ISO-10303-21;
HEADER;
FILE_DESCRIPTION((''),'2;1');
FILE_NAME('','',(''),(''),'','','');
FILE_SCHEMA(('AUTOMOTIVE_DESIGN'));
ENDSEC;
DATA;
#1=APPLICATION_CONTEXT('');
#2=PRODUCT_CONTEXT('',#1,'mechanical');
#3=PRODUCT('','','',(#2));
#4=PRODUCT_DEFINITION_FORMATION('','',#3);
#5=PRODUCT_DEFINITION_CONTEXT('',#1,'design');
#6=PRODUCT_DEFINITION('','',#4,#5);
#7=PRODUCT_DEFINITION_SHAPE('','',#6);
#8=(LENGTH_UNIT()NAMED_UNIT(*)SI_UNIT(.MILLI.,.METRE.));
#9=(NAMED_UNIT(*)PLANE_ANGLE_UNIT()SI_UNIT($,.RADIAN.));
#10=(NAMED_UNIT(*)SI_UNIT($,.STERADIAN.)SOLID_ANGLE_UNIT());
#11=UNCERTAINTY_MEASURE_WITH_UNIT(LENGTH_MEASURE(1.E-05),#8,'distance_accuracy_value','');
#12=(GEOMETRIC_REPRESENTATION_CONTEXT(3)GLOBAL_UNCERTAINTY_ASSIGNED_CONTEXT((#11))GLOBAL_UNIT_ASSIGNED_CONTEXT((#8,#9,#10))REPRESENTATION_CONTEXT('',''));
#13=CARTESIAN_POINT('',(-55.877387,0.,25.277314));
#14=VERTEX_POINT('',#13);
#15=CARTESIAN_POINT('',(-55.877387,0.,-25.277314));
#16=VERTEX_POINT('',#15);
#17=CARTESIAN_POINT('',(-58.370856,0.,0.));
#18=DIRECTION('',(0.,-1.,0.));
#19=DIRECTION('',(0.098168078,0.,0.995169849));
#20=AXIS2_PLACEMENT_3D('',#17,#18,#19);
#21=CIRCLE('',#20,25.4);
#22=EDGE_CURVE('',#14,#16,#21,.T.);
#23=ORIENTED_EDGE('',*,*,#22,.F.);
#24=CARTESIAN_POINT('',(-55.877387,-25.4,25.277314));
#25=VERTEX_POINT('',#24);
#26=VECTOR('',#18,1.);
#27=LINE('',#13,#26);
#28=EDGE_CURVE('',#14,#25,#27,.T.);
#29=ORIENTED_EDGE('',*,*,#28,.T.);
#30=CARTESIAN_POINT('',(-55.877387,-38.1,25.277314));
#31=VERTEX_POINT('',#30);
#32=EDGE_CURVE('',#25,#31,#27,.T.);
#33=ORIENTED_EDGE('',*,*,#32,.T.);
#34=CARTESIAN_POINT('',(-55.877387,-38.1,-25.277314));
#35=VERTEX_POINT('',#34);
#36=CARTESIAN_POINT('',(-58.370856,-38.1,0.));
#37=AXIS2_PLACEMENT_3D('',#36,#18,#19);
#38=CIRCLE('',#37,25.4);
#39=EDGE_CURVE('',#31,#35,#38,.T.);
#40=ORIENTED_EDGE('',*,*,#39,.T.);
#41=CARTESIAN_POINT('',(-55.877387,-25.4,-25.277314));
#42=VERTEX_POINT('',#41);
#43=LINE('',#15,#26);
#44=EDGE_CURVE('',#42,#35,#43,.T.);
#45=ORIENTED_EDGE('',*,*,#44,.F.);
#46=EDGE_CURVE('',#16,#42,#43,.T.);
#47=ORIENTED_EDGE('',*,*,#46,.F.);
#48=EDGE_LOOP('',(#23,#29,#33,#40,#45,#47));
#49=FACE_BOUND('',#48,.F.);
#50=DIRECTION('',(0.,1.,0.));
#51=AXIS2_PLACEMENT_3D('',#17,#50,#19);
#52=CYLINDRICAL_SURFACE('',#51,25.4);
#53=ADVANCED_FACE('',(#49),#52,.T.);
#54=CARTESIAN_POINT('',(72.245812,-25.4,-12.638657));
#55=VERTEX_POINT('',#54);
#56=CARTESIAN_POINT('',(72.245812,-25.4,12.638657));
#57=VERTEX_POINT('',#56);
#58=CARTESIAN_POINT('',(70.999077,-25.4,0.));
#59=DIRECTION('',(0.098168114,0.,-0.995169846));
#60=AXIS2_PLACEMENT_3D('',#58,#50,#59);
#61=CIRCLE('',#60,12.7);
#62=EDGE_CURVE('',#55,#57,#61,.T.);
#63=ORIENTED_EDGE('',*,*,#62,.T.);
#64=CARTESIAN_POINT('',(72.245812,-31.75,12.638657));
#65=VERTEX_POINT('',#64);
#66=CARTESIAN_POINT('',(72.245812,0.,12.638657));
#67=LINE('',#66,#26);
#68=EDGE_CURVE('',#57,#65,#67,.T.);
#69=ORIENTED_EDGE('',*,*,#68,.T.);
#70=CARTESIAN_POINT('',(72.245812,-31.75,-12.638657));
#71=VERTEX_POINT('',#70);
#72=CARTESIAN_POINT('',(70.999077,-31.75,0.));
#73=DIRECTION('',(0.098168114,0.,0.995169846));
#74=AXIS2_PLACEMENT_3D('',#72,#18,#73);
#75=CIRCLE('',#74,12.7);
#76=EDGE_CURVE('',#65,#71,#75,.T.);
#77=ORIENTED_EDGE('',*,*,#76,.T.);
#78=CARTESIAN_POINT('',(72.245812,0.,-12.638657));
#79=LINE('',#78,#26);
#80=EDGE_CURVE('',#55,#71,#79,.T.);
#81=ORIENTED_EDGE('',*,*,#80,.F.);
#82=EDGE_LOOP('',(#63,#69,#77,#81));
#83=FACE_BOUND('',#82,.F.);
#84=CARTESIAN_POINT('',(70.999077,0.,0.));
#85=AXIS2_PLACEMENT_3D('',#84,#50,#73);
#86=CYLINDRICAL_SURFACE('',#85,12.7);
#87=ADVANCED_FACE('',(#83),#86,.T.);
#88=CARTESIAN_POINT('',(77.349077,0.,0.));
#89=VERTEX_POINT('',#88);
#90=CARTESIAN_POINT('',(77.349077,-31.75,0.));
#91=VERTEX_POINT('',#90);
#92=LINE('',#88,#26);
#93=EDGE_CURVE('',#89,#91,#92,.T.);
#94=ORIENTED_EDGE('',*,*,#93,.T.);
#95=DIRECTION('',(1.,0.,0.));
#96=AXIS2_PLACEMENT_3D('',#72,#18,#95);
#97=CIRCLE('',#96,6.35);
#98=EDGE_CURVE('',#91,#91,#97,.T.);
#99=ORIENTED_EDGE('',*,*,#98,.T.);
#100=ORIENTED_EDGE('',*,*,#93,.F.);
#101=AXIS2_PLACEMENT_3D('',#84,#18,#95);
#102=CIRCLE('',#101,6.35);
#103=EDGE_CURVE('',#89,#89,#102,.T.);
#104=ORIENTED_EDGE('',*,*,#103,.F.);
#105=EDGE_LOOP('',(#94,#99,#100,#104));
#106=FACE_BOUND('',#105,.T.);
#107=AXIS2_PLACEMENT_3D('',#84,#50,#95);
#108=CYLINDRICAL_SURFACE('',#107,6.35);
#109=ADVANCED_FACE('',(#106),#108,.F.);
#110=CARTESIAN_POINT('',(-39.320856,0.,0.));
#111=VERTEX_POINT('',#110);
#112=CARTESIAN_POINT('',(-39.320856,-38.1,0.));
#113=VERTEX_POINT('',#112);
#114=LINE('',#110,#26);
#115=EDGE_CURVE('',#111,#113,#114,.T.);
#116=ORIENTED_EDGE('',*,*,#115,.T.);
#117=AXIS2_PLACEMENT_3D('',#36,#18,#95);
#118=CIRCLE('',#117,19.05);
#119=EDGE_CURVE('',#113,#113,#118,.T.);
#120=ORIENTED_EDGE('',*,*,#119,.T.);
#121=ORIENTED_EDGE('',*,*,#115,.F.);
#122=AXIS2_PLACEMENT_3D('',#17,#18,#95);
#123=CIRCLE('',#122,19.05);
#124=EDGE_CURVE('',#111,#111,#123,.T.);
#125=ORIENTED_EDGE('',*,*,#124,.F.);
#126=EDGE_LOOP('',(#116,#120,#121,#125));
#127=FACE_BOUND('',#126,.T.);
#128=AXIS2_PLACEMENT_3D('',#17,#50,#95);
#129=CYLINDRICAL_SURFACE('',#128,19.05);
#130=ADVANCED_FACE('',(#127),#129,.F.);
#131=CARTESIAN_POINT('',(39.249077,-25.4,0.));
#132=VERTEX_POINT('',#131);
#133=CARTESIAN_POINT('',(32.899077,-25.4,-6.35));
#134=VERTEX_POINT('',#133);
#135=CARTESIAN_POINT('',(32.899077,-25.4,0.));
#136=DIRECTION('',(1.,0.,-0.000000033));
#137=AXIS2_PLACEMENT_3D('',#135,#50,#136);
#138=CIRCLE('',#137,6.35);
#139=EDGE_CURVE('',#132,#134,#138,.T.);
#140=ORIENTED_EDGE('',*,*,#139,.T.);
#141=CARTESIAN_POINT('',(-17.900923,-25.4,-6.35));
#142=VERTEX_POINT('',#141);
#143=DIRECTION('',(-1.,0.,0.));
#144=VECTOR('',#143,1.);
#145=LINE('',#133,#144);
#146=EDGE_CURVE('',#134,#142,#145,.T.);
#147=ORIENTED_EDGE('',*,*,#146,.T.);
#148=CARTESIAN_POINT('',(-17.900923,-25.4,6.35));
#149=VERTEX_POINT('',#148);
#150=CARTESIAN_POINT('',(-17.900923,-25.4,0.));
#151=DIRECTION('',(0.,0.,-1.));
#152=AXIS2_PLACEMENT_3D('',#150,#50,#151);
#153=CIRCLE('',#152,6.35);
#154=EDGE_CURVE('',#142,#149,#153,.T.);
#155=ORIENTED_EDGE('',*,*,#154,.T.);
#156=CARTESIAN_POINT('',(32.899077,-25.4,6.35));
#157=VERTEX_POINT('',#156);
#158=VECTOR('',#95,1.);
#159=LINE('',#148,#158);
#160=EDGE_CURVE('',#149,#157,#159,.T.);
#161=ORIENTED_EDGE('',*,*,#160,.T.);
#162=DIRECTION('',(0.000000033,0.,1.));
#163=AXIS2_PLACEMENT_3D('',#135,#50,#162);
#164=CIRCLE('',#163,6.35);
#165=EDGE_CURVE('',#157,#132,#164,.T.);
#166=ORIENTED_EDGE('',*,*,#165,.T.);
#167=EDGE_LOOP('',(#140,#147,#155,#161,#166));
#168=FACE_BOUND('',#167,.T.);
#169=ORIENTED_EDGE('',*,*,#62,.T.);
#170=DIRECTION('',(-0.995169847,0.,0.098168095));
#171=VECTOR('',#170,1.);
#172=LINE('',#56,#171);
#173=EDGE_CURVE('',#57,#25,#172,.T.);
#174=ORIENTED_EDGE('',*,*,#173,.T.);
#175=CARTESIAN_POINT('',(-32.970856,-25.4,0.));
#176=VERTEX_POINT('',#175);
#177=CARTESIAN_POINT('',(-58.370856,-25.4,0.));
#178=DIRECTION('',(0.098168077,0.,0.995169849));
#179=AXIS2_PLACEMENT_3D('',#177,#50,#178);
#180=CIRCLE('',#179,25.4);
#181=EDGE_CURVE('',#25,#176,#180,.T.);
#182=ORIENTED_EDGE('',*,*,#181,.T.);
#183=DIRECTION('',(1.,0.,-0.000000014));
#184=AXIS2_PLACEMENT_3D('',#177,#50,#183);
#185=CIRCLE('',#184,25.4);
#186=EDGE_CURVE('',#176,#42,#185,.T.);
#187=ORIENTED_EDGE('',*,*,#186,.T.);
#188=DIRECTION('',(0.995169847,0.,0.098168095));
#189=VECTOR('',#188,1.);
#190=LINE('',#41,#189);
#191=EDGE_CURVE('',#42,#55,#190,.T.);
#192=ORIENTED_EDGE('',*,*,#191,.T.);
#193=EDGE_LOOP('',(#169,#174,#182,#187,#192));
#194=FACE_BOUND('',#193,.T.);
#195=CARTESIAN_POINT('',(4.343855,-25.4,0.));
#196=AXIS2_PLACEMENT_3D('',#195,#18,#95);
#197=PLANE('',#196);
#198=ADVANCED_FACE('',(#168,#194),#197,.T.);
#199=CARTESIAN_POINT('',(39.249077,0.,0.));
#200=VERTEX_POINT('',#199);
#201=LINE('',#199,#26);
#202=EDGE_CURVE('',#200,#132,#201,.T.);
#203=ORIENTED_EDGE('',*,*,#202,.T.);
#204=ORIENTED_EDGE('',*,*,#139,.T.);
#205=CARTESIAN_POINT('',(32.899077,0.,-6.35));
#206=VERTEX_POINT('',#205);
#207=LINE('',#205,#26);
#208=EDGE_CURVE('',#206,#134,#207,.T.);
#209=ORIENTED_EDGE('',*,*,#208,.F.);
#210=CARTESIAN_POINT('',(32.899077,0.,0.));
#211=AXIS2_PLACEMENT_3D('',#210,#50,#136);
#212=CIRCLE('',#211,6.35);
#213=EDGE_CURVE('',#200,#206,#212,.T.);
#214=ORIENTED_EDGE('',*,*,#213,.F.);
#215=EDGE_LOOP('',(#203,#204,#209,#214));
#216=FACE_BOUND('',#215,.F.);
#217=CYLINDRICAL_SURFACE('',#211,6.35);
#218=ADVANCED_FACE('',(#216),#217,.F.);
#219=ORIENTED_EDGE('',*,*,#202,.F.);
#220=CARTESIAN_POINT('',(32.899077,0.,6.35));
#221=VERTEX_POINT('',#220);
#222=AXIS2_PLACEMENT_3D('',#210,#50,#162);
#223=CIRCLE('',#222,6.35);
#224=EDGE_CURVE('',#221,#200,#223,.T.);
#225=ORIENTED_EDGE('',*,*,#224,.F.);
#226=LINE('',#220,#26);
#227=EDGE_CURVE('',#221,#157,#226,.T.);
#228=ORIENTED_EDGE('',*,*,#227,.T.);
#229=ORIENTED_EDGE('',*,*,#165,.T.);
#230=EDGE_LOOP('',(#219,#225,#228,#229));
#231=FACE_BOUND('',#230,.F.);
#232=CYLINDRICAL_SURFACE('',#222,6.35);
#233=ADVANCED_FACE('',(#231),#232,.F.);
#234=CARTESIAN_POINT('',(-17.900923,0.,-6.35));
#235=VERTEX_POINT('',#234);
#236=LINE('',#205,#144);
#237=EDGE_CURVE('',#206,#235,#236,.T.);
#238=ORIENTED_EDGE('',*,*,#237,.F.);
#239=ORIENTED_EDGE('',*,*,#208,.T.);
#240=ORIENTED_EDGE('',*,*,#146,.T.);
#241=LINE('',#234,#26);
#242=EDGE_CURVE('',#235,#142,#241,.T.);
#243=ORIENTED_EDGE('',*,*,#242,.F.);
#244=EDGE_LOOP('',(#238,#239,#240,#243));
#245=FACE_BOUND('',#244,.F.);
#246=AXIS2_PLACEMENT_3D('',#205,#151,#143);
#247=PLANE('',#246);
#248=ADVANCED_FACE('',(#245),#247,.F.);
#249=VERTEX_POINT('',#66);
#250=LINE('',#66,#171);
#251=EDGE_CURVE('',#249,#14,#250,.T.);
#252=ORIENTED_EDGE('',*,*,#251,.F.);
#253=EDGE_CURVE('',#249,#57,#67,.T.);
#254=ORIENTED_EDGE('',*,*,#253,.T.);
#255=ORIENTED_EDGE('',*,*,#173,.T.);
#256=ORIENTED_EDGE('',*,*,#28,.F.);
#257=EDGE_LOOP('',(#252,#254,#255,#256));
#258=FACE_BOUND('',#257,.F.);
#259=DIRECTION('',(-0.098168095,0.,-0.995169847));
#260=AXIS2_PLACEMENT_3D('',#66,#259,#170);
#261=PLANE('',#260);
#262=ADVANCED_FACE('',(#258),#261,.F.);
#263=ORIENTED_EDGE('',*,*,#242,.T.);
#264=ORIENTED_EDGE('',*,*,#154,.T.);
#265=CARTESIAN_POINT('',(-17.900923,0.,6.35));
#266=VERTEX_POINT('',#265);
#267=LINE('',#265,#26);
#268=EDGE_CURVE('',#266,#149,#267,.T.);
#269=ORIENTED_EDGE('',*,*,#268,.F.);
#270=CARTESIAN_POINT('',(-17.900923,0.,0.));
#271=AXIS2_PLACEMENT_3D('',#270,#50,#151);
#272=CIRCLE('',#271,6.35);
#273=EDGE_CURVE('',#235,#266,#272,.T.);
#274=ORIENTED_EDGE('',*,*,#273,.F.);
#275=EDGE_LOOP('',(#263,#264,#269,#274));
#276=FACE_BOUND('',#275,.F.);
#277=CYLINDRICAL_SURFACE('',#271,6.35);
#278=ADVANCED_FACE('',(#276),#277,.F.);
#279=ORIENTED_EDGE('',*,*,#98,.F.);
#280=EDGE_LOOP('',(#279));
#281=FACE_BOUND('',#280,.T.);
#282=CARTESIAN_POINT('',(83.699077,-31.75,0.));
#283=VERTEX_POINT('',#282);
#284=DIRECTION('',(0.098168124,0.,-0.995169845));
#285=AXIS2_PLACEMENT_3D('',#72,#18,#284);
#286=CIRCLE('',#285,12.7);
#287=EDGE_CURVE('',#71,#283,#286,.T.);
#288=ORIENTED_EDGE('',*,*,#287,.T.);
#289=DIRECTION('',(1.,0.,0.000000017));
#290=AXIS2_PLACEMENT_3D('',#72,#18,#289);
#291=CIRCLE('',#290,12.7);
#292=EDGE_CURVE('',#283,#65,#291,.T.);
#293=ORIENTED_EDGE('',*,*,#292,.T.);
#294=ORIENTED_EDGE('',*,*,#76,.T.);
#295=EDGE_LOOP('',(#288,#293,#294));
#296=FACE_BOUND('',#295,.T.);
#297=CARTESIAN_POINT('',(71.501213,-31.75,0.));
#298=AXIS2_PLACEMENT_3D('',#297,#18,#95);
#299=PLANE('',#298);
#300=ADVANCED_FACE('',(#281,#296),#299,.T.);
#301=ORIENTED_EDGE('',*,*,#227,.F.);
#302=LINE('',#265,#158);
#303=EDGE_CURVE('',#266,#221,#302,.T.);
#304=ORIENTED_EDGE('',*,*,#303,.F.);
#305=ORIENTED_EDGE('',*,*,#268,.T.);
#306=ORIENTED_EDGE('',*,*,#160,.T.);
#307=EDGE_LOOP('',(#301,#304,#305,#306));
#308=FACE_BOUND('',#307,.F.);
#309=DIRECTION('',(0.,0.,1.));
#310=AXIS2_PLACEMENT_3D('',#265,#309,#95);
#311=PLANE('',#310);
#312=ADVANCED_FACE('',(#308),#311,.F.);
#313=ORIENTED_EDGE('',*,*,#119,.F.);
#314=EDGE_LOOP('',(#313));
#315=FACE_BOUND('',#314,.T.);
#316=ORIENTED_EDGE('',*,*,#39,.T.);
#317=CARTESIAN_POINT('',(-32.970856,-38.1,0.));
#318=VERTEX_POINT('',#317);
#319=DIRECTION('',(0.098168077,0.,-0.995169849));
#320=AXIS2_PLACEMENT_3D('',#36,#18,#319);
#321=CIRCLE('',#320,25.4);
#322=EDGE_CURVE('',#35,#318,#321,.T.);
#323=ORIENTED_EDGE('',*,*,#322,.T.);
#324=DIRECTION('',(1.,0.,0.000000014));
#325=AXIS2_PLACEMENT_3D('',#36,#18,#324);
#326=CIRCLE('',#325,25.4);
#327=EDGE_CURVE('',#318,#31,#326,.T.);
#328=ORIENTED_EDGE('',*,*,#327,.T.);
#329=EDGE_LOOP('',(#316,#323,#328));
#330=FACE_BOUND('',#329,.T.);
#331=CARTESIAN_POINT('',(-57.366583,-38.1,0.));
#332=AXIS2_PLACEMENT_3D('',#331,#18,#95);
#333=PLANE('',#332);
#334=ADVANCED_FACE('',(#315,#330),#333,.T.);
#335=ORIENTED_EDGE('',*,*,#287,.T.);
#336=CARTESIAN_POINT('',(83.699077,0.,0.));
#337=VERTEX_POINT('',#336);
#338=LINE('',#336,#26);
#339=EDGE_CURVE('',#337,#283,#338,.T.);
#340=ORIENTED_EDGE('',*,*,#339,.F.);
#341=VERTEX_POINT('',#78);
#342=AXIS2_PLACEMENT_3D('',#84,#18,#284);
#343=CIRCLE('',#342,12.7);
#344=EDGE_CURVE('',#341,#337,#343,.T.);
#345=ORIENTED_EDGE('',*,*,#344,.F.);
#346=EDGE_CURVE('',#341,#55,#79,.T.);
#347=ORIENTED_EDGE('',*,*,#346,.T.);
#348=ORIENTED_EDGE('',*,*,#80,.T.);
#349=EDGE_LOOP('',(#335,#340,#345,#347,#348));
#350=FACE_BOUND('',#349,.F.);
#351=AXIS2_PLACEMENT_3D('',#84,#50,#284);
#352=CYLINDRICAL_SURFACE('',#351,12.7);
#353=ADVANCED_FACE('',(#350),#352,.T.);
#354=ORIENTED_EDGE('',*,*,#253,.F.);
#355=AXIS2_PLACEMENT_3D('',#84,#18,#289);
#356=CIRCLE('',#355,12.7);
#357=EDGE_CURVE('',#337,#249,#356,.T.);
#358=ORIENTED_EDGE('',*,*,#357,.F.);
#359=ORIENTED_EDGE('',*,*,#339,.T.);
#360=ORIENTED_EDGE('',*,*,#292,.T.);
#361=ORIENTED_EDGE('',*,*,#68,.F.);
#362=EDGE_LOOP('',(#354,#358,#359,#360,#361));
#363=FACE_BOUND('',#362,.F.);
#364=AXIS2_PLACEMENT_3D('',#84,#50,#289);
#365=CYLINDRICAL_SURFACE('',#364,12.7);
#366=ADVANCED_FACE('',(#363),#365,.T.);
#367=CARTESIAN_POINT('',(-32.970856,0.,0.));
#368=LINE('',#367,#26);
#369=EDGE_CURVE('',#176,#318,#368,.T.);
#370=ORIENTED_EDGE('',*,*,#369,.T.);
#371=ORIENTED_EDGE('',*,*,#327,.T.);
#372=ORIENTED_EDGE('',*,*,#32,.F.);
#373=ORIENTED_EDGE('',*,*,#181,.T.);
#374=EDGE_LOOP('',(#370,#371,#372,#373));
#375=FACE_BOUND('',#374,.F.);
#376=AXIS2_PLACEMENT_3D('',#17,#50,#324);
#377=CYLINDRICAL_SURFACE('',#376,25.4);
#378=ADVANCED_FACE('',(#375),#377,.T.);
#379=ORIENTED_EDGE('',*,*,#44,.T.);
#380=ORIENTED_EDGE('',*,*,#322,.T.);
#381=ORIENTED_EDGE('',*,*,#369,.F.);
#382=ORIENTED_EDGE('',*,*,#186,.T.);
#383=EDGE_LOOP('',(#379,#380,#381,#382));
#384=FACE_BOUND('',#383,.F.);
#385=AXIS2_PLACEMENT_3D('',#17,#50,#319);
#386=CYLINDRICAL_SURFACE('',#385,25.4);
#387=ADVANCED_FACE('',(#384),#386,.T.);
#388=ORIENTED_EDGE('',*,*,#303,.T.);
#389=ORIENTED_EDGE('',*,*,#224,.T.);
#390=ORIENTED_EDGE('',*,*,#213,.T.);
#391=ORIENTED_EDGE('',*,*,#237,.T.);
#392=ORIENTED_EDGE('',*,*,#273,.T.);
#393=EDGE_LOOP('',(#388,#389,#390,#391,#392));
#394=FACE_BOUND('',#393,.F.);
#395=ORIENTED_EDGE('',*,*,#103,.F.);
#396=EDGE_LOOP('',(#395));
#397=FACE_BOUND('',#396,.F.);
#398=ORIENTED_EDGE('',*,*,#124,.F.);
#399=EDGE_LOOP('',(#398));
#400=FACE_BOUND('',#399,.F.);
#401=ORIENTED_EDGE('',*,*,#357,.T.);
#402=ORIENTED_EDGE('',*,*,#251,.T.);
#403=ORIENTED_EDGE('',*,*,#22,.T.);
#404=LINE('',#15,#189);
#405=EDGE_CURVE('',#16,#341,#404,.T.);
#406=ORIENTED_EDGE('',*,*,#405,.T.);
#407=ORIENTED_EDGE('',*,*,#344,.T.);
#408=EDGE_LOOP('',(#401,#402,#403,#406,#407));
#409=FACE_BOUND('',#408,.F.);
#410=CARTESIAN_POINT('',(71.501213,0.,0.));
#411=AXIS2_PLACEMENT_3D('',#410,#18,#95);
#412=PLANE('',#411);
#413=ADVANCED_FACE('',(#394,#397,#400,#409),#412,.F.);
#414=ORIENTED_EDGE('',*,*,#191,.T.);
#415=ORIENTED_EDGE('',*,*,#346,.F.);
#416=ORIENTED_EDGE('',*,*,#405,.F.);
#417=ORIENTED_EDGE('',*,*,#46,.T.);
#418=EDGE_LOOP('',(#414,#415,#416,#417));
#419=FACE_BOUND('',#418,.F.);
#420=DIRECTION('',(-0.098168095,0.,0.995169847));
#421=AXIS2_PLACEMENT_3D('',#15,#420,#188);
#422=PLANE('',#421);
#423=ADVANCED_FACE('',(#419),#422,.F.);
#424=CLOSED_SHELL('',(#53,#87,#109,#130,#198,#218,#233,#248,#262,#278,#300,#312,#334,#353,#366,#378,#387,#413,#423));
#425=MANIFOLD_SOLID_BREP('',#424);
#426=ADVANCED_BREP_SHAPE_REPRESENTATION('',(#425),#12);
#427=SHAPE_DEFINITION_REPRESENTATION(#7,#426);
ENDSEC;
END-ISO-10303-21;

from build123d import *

# Parameters (mm, degrees)
F0_R     = 19.05
F1_DEPTH = 38.1
F2_DEPTH = 25.4
F0_R_2   = 6.35
F3_DEPTH = 31.75


with BuildPart() as f1:
    # F0 (on Front) → F1 (new body)
    with BuildSketch(Plane.XZ):
        with BuildLine():
            ThreePointArc((-55.877387, -25.277314), (-39.549404, -17.05617), (-32.970856, 0))
            ThreePointArc((-32.970856, 0), (-39.549404, 17.05617), (-55.877387, 25.277314))
            ThreePointArc((-55.877387, 25.277314), (-83.770856, 0), (-55.877387, -25.277314))
        make_face()
        with Locations((-58.370856, 0)):
            Circle(F0_R, mode=Mode.SUBTRACT)
    extrude(amount=F1_DEPTH)

    # F0 (on Front) → F2 (join)
    with BuildSketch(Plane.XZ):
        with BuildLine():
            ThreePointArc((-55.877387, 25.277314), (-39.549404, 17.05617), (-32.970856, 0))
            ThreePointArc((-32.970856, 0), (-39.549404, -17.05617), (-55.877387, -25.277314))
            Line((-55.877387, -25.277314), (72.245812, -12.638657))
            ThreePointArc((72.245812, -12.638657), (58.299077, 0), (72.245812, 12.638657))
            Line((72.245812, 12.638657), (-55.877387, 25.277314))
        make_face()
        with BuildLine():
            ThreePointArc((-17.900923, -6.35), (-24.250923, 0), (-17.900923, 6.35))
            Line((-17.900923, 6.35), (32.899077, 6.35))
            ThreePointArc((32.899077, 6.35), (37.389205, 4.490128), (39.249077, 0))
            ThreePointArc((39.249077, 0), (37.389205, -4.490128), (32.899077, -6.35))
            Line((32.899077, -6.35), (-17.900923, -6.35))
        make_face(mode=Mode.SUBTRACT)
    extrude(amount=F2_DEPTH)

    # F0 (on Front) → F3 (join)
    with BuildSketch(Plane.XZ):
        with BuildLine():
            ThreePointArc((83.699077, 0), (80.409803, 8.528085), (72.245812, 12.638657))
            ThreePointArc((72.245812, 12.638657), (58.299077, 0), (72.245812, -12.638657))
            ThreePointArc((72.245812, -12.638657), (80.409803, -8.528085), (83.699077, 0))
        make_face()
        with Locations((70.999077, 0)):
            Circle(F0_R_2, mode=Mode.SUBTRACT)
    extrude(amount=F3_DEPTH)


solid = f1.part
